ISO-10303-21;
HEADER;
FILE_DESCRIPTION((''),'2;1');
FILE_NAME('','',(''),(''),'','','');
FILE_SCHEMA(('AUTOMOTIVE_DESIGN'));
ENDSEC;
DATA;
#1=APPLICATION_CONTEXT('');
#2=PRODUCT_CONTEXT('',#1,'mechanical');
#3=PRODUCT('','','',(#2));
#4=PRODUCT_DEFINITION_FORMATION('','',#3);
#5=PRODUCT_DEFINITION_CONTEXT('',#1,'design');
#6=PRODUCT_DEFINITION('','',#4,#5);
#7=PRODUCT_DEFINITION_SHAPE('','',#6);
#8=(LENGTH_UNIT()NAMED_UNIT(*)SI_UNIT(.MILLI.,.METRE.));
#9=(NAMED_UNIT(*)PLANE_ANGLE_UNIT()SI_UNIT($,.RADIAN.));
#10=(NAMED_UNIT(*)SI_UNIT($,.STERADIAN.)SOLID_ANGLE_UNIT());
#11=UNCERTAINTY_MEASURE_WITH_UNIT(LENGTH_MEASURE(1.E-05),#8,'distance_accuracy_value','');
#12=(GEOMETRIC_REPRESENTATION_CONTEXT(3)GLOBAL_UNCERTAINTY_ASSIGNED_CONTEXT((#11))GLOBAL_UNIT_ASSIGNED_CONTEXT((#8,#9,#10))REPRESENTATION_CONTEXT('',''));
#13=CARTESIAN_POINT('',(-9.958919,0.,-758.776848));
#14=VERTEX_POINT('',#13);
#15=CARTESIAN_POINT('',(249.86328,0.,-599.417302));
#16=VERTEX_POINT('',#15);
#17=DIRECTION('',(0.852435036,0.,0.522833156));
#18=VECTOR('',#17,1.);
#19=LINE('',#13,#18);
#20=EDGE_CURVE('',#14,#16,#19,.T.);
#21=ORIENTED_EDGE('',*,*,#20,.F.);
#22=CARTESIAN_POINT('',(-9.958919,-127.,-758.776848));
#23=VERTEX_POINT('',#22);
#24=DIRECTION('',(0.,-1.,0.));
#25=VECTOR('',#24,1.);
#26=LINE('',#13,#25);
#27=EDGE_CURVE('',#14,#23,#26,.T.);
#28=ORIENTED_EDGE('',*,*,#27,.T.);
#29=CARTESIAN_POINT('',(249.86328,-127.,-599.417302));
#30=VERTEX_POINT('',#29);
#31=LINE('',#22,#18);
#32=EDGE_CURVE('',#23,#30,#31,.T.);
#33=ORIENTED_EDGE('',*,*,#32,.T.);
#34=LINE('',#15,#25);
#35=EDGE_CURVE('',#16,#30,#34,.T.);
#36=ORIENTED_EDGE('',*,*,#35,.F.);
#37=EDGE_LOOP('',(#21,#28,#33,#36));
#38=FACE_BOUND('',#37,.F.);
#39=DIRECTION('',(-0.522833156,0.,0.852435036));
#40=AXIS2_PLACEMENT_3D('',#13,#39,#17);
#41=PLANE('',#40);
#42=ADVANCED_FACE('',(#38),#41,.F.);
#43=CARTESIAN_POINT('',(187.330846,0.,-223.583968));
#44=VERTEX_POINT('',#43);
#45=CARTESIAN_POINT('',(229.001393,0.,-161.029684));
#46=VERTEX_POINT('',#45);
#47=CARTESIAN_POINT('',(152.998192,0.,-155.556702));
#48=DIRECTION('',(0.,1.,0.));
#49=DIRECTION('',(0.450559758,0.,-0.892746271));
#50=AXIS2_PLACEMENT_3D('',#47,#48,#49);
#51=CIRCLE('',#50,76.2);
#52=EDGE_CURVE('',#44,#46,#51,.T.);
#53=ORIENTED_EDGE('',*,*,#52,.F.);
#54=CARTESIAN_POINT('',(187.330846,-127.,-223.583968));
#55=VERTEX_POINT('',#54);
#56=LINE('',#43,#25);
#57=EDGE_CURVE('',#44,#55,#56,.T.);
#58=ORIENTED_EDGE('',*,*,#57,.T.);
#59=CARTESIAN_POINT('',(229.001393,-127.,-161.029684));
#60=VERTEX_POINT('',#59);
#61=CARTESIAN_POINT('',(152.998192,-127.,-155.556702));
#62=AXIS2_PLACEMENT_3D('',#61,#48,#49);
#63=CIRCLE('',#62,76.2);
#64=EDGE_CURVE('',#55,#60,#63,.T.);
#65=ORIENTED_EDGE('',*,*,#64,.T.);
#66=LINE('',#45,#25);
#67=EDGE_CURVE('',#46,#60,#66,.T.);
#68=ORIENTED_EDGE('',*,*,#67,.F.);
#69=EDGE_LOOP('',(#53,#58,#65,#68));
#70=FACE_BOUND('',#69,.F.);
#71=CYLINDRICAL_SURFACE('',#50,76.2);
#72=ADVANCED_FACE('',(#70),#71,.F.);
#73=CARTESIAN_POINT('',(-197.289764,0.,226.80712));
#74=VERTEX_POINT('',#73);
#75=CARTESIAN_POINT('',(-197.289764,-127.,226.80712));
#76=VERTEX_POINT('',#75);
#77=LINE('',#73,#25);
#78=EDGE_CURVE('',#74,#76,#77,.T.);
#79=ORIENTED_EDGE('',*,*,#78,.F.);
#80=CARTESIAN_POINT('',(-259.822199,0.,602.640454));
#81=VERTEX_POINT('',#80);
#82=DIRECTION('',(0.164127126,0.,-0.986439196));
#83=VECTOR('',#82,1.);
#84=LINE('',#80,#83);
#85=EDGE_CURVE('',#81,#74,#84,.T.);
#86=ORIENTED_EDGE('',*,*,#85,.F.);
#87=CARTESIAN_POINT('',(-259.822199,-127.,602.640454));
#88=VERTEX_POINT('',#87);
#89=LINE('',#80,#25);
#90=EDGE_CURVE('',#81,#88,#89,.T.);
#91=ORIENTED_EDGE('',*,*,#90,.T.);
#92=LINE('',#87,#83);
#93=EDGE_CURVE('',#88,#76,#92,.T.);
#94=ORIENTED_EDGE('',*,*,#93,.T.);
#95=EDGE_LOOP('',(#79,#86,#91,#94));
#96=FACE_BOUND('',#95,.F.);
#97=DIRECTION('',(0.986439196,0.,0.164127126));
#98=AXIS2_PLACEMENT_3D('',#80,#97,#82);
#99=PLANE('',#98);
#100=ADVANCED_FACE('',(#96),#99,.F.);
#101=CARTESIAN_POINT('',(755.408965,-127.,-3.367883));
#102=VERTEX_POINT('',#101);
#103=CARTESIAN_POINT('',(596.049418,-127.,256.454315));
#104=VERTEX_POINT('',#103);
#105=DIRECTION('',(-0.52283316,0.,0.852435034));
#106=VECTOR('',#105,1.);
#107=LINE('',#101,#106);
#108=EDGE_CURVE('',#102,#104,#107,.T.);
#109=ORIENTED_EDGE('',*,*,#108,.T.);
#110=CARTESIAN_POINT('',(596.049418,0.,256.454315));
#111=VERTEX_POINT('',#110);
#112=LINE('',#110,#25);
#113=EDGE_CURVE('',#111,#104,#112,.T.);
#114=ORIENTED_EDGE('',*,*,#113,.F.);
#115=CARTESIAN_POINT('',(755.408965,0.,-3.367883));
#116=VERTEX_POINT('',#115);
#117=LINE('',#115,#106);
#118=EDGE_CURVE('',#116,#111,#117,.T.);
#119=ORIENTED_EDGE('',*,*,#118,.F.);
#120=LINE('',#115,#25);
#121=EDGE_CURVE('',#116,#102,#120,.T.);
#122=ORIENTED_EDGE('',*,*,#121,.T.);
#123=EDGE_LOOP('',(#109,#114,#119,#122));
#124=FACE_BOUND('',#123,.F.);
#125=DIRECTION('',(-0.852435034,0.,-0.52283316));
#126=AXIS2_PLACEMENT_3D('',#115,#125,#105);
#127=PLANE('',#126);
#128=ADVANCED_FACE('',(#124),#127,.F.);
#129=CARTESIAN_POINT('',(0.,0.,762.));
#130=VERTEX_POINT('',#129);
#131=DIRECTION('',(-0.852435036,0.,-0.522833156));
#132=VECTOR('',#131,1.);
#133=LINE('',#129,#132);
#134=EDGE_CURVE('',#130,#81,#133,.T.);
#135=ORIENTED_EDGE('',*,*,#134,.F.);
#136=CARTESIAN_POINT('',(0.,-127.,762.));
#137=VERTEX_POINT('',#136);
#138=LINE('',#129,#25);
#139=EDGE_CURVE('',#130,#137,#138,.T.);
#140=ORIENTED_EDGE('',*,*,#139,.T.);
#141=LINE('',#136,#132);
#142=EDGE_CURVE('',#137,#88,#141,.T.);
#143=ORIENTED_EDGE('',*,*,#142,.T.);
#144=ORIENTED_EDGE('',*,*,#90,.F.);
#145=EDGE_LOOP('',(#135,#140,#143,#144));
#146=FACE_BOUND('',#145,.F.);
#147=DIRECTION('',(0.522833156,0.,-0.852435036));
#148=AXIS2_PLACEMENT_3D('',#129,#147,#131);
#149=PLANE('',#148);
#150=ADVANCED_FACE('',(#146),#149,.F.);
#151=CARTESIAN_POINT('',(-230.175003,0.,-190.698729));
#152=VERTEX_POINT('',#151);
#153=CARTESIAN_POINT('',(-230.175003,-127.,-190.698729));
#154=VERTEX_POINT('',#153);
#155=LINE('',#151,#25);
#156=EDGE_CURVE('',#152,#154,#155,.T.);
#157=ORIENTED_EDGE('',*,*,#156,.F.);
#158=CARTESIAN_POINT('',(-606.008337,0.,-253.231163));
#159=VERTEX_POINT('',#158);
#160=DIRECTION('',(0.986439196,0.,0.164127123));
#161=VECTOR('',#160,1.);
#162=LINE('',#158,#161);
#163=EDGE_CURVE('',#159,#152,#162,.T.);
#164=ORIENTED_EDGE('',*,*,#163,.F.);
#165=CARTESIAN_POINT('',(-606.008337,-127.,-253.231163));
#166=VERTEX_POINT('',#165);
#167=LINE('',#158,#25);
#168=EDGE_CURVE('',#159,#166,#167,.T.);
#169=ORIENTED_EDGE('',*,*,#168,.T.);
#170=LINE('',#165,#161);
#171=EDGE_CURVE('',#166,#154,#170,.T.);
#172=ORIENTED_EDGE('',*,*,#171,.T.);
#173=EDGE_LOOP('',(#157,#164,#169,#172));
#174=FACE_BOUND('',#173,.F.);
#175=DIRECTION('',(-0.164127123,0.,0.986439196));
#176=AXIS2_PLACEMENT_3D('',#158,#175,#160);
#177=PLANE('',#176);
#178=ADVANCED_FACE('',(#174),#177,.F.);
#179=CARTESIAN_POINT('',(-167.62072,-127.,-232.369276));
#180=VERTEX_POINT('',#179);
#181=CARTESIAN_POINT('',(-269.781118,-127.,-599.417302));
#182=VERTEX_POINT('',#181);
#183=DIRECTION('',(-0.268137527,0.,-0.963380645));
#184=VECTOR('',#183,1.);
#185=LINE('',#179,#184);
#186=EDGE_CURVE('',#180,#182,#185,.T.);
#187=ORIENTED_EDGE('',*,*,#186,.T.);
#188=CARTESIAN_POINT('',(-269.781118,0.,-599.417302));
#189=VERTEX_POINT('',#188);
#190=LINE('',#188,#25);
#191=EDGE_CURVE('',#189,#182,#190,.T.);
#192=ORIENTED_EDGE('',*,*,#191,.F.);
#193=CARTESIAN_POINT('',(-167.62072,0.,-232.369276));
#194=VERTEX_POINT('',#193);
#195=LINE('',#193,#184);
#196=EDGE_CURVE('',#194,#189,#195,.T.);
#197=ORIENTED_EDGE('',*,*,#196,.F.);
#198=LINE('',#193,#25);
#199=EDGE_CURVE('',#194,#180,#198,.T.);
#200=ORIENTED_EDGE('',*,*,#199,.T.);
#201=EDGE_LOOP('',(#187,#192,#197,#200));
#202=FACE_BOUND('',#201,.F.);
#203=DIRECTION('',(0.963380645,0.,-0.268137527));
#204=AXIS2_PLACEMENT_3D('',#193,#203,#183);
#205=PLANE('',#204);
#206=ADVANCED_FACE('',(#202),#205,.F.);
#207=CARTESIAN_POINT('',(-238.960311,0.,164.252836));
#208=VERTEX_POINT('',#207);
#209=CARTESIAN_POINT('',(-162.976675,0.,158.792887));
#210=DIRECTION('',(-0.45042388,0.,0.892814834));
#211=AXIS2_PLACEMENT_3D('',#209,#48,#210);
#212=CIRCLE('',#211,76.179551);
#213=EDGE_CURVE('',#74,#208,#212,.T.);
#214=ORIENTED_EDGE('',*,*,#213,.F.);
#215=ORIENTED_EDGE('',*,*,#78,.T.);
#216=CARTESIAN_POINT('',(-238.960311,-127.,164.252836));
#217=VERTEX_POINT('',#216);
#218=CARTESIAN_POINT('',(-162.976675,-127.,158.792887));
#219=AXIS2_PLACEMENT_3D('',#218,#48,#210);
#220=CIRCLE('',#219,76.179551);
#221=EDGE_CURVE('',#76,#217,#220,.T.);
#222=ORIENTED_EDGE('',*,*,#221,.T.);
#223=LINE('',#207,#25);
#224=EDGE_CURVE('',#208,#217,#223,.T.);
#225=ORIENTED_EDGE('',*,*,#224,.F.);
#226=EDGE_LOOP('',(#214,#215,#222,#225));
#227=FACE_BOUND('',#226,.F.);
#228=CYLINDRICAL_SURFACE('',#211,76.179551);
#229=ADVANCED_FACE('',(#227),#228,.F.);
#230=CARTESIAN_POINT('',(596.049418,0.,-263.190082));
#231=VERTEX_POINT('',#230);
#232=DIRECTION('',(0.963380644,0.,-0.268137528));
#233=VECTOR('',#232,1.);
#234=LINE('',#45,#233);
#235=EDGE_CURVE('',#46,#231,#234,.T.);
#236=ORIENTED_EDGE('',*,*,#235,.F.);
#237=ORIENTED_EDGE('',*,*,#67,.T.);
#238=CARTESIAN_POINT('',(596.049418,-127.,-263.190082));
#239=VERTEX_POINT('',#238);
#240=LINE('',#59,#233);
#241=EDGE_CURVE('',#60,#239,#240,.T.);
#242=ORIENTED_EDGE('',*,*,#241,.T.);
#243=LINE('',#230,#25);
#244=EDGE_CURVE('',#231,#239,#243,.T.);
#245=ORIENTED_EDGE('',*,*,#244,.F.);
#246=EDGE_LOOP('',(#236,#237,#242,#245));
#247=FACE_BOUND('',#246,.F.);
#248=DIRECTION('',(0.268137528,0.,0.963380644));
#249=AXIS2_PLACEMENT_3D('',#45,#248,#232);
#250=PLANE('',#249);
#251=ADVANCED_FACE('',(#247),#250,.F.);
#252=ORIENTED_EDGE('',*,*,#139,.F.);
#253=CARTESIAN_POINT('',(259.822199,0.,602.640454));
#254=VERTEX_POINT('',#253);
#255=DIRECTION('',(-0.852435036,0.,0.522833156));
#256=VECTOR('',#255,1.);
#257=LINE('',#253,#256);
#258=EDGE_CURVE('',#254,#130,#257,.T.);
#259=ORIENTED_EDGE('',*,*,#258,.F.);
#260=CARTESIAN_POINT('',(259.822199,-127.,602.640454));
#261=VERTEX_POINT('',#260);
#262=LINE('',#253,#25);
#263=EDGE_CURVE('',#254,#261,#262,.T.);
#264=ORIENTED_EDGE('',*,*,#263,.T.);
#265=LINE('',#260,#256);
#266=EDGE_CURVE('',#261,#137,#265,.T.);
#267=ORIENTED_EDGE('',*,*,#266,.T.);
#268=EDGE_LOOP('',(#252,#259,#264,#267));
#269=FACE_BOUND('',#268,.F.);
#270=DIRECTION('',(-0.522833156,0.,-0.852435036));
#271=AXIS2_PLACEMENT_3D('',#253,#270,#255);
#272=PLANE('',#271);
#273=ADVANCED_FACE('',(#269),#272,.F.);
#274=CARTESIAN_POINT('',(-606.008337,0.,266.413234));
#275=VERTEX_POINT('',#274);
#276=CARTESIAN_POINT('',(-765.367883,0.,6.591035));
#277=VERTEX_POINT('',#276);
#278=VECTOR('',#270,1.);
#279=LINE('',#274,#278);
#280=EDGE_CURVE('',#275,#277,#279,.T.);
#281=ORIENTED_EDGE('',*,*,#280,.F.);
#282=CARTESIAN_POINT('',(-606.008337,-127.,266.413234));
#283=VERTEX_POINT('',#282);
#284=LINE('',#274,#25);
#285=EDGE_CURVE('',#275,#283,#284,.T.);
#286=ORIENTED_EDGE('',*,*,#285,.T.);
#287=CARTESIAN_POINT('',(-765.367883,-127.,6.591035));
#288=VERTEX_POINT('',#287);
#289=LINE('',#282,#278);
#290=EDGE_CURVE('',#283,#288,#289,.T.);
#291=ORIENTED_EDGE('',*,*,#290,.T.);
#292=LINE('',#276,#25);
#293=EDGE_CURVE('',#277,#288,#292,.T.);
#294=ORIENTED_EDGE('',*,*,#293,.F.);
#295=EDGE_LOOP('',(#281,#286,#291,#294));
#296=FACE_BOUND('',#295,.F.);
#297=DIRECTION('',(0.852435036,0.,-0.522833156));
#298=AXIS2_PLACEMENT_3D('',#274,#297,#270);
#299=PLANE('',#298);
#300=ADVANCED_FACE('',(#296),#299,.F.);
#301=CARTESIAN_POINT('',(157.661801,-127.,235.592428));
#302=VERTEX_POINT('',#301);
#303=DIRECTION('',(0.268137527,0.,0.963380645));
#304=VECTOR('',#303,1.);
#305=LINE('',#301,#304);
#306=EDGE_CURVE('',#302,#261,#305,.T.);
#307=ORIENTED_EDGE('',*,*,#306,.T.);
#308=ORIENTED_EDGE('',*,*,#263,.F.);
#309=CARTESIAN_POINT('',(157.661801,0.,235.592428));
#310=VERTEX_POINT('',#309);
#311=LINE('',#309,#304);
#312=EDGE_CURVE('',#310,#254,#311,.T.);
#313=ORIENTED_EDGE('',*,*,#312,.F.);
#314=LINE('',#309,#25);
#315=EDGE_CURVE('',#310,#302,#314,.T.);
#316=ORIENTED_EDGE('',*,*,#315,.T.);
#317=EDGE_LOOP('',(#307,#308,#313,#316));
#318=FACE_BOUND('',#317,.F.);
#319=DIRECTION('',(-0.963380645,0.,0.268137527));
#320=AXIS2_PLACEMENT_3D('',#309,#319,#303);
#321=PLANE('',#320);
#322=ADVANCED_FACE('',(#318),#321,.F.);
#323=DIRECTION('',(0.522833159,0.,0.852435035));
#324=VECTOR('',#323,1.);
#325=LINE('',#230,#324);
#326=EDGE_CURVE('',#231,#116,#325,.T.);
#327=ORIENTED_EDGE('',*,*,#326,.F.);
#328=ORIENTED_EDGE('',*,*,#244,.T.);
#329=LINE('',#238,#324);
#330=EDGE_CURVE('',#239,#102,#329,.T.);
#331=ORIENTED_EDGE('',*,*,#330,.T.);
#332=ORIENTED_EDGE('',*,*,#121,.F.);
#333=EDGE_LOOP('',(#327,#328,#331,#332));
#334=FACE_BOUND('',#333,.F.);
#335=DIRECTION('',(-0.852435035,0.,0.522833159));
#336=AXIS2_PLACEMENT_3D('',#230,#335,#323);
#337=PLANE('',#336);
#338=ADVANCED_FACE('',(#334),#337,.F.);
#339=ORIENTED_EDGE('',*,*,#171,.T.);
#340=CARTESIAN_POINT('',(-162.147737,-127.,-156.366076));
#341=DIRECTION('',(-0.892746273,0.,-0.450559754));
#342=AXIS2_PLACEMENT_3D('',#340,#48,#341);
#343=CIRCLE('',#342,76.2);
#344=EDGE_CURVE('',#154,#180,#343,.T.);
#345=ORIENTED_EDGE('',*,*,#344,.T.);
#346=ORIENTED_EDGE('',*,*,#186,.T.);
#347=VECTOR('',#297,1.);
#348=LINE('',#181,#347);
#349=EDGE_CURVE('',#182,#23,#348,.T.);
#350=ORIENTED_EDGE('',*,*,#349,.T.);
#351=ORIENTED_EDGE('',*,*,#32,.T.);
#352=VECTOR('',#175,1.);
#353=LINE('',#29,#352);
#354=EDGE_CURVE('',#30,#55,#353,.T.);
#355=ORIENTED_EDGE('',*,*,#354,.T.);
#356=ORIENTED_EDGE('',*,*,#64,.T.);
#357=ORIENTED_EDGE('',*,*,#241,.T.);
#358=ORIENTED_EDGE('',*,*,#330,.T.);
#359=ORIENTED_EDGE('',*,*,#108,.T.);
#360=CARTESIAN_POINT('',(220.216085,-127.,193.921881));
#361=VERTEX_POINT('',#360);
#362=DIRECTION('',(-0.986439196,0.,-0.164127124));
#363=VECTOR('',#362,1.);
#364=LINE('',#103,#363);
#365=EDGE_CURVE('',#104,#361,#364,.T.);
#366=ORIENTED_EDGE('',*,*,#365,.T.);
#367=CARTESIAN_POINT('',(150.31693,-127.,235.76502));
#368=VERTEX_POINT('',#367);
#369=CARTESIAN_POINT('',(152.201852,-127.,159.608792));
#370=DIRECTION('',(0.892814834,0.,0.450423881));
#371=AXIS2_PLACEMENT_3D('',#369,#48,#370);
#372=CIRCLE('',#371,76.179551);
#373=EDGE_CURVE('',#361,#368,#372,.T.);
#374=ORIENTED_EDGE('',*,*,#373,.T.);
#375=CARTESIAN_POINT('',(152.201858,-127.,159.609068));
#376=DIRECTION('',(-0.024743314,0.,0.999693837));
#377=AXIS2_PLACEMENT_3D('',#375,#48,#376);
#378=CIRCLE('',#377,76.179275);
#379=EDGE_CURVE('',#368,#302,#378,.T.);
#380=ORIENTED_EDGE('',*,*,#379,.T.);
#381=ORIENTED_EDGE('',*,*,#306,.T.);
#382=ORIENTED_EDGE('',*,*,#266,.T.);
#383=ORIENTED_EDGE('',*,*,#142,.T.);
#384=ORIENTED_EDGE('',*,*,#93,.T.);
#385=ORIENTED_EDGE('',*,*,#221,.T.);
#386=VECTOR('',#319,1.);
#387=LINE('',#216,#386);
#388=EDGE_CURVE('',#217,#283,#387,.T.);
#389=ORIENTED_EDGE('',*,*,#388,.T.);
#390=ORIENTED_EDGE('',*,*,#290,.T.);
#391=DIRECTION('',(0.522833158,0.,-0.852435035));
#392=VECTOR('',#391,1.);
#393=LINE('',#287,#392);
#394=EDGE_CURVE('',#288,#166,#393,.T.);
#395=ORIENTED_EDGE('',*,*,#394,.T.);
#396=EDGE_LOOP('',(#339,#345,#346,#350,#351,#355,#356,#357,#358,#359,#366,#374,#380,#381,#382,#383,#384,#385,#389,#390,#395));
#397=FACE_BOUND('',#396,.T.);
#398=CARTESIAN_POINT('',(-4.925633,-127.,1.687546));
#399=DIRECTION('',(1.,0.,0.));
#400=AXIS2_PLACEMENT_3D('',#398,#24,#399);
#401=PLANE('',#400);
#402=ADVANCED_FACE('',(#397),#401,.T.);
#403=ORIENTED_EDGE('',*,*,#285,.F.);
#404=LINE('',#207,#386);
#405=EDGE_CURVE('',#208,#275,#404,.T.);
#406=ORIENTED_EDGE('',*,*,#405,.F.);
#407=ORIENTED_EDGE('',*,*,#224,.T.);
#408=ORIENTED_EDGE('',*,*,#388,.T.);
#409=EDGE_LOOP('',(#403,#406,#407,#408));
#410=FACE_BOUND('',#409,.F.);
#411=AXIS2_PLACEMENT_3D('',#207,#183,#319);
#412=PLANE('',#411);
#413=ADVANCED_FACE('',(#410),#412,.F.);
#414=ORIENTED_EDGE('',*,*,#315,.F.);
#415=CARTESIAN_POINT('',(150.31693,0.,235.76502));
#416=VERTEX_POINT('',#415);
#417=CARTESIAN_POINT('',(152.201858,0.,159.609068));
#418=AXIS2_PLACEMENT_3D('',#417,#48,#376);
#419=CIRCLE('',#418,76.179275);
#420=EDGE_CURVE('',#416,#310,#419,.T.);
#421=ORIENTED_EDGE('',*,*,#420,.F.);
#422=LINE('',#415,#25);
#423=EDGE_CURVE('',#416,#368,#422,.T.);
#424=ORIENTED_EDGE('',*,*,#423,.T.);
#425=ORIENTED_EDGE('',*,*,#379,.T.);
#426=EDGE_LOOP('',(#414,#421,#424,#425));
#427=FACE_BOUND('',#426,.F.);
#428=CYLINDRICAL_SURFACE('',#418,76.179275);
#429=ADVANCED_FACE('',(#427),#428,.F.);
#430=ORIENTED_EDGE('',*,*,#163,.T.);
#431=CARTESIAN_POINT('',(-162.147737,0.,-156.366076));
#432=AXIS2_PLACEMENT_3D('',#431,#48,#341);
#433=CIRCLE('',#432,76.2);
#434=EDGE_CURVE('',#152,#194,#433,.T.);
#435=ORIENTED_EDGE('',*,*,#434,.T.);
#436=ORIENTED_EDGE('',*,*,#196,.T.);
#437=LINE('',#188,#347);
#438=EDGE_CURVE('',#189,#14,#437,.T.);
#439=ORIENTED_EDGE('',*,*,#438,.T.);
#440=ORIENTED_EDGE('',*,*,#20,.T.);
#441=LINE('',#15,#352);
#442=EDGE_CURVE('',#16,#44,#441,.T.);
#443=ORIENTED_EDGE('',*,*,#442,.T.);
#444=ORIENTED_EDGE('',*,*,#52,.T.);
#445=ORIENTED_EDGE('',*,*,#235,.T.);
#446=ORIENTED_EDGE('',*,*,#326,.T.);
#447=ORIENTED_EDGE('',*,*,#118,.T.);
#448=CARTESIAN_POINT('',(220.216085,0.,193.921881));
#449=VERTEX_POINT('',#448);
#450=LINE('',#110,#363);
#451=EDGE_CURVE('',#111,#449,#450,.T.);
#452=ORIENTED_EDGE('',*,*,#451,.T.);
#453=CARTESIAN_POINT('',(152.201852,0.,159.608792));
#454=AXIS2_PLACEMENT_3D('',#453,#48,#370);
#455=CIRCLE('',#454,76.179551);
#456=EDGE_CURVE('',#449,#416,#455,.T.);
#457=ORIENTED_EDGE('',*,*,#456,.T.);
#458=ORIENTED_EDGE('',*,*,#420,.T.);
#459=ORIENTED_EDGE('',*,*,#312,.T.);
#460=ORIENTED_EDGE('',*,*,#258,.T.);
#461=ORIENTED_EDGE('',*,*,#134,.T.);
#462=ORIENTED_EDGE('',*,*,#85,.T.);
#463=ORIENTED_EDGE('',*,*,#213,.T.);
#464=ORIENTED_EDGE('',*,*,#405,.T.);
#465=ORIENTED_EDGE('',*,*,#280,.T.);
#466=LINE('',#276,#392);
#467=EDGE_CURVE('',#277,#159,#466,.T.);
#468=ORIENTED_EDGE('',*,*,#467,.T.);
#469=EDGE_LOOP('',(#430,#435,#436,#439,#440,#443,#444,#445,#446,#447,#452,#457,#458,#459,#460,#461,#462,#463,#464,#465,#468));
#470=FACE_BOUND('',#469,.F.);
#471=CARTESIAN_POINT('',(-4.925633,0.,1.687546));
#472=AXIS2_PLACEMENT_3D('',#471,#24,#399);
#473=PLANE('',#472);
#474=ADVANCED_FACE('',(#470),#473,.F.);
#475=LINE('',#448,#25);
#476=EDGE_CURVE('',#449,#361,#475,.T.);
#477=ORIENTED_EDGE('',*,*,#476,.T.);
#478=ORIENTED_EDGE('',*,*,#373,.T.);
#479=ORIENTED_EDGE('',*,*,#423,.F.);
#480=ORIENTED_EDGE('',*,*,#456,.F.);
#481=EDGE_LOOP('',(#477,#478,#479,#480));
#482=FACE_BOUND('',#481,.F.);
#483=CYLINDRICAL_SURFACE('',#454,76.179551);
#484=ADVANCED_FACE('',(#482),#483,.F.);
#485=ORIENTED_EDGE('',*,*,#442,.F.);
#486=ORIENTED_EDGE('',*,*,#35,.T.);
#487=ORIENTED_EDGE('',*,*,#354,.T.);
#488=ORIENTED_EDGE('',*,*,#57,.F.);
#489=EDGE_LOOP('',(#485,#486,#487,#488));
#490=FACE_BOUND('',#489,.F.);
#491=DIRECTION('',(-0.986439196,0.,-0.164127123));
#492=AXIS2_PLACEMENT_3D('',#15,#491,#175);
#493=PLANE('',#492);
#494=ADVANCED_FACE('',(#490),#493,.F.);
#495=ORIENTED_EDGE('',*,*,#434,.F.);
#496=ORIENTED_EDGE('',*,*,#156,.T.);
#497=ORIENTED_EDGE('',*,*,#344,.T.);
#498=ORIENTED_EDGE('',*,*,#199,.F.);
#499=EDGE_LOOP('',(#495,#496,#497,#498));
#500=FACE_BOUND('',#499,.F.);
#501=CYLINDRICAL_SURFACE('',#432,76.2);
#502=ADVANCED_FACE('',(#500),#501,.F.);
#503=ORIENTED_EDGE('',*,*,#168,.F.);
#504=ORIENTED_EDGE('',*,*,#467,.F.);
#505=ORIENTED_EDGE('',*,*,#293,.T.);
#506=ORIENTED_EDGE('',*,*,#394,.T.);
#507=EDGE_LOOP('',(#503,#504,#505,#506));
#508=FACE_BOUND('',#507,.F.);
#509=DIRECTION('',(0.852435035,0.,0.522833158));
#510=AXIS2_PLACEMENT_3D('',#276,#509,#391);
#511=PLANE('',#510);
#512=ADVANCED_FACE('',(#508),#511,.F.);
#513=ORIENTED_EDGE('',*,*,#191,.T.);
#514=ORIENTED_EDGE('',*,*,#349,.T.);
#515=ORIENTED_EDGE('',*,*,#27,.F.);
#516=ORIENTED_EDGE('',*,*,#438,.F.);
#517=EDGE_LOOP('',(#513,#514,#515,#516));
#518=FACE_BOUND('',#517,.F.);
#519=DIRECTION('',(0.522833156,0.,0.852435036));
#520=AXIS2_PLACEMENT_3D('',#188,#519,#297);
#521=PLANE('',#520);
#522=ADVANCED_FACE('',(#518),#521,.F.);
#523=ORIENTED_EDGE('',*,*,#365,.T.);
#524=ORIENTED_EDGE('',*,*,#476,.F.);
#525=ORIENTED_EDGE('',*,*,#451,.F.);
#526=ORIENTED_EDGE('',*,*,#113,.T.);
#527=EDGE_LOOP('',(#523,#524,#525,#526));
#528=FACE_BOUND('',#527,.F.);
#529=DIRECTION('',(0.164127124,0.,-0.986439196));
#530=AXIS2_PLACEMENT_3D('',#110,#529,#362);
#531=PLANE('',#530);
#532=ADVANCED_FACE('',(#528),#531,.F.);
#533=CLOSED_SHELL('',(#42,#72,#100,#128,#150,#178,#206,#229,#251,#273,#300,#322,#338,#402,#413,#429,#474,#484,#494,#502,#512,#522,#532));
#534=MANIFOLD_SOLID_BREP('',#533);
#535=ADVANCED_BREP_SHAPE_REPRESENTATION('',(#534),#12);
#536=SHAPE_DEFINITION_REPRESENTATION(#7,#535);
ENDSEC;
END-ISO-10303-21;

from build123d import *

# Parameters (mm, degrees)
F1_DEPTH = 127


with BuildPart() as f1:
    # F0 (on Front) → F1 (new body)
    with BuildSketch(Plane.XZ):
        with BuildLine():
            ThreePointArc((150.31693, 235.76502), (153.991447, 235.76732), (157.661801, 235.592428))
            Line((157.661801, 235.592428), (259.822199, 602.640454))
            Line((259.822199, 602.640454), (0, 762))
            Line((0, 762), (-259.822199, 602.640454))
            Line((-259.822199, 602.640454), (-197.289764, 226.80712))
            ThreePointArc((-197.289764, 226.80712), (-99.576348, 116.558748), (-238.960311, 164.252836))
            Line((-238.960311, 164.252836), (-606.008337, 266.413234))
            Line((-606.008337, 266.413234), (-765.367883, 6.591035))
            Line((-765.367883, 6.591035), (-606.008337, -253.231163))
            Line((-606.008337, -253.231163), (-230.175003, -190.698729))
            ThreePointArc((-230.175003, -190.698729), (-119.902261, -92.94873), (-167.62072, -232.369276))
            Line((-167.62072, -232.369276), (-269.781118, -599.417302))
            Line((-269.781118, -599.417302), (-9.958919, -758.776848))
            Line((-9.958919, -758.776848), (249.86328, -599.417302))
            Line((249.86328, -599.417302), (187.330846, -223.583968))
            ThreePointArc((187.330846, -223.583968), (89.580846, -113.311226), (229.001393, -161.029684))
            Line((229.001393, -161.029684), (596.049418, -263.190082))
            Line((596.049418, -263.190082), (755.408965, -3.367883))
            Line((755.408965, -3.367883), (596.049418, 256.454315))
            Line((596.049418, 256.454315), (220.216085, 193.921881))
            ThreePointArc((220.216085, 193.921881), (113.074067, 94.245649), (150.31693, 235.76502))
        make_face()
    extrude(amount=F1_DEPTH)


solid = f1.part
